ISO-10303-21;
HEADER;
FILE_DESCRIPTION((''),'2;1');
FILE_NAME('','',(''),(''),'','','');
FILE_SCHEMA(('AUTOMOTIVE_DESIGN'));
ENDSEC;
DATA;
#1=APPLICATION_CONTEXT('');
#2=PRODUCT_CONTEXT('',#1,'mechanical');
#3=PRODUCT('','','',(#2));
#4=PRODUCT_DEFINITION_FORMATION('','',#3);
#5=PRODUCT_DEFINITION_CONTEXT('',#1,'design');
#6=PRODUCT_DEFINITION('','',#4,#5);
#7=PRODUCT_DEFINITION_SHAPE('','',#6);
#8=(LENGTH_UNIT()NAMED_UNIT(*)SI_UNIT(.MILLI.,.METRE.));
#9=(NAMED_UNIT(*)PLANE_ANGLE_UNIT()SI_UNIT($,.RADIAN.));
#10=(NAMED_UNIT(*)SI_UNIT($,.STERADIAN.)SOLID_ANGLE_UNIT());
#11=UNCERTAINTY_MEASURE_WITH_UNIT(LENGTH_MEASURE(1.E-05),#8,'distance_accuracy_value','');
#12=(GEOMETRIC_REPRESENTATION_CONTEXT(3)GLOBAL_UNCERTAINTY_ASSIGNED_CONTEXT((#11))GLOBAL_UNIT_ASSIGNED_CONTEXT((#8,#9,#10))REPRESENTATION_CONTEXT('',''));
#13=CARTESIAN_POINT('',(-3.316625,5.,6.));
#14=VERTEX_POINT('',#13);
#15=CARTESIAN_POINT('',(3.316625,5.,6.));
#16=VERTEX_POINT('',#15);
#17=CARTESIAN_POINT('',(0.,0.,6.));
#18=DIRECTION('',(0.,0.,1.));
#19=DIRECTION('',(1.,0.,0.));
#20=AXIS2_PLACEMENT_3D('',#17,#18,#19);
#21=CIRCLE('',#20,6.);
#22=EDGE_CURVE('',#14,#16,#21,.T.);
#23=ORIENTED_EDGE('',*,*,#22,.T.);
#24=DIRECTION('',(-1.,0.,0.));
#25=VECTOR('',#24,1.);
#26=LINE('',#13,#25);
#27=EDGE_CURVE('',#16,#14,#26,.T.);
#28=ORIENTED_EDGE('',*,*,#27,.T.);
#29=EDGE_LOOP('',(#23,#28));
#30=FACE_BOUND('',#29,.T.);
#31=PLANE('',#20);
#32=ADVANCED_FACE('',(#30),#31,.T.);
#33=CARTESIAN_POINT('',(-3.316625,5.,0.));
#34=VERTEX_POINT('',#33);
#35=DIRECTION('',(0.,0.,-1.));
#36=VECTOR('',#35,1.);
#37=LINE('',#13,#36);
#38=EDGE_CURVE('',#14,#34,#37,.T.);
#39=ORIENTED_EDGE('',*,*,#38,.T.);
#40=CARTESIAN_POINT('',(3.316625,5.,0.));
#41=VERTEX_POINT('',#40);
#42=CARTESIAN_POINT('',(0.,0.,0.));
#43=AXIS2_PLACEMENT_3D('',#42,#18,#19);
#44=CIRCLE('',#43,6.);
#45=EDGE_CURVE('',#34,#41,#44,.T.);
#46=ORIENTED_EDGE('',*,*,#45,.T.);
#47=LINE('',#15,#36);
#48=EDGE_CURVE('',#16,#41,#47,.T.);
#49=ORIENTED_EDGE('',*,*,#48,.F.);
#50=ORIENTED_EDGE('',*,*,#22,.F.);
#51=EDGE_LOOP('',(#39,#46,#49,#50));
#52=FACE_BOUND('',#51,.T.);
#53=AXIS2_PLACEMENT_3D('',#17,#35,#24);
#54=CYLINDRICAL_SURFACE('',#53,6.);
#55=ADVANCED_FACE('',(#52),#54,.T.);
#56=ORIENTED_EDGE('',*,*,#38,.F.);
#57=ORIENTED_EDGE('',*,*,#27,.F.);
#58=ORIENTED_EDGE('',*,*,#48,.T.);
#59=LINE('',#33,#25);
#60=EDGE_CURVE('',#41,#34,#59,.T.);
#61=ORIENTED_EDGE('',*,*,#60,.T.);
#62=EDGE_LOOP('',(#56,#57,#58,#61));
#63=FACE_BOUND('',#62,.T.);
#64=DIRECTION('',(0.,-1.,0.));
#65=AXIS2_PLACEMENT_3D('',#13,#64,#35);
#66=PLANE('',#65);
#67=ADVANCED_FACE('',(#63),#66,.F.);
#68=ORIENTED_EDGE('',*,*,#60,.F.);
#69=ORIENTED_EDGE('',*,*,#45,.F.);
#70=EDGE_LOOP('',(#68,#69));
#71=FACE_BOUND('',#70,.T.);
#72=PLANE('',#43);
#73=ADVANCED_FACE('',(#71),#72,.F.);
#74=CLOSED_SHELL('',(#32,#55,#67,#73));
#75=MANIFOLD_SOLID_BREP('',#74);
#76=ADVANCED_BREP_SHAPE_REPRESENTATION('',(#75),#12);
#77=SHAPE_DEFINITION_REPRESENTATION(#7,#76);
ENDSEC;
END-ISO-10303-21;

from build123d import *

# Parameters (mm, degrees)
BOSS_EXTRUDE1_DEPTH = 6


with BuildPart() as part:
    # Sketch1 → Boss-Extrude1 (new body)
    with BuildSketch(Plane.XY):
        with BuildLine():
            Line((-3.31662479, 5), (3.31662479, 5))
            ThreePointArc((3.31662479, 5), (0, -6), (-3.31662479, 5))
        make_face()
    extrude(amount=BOSS_EXTRUDE1_DEPTH)


solid = part.part
